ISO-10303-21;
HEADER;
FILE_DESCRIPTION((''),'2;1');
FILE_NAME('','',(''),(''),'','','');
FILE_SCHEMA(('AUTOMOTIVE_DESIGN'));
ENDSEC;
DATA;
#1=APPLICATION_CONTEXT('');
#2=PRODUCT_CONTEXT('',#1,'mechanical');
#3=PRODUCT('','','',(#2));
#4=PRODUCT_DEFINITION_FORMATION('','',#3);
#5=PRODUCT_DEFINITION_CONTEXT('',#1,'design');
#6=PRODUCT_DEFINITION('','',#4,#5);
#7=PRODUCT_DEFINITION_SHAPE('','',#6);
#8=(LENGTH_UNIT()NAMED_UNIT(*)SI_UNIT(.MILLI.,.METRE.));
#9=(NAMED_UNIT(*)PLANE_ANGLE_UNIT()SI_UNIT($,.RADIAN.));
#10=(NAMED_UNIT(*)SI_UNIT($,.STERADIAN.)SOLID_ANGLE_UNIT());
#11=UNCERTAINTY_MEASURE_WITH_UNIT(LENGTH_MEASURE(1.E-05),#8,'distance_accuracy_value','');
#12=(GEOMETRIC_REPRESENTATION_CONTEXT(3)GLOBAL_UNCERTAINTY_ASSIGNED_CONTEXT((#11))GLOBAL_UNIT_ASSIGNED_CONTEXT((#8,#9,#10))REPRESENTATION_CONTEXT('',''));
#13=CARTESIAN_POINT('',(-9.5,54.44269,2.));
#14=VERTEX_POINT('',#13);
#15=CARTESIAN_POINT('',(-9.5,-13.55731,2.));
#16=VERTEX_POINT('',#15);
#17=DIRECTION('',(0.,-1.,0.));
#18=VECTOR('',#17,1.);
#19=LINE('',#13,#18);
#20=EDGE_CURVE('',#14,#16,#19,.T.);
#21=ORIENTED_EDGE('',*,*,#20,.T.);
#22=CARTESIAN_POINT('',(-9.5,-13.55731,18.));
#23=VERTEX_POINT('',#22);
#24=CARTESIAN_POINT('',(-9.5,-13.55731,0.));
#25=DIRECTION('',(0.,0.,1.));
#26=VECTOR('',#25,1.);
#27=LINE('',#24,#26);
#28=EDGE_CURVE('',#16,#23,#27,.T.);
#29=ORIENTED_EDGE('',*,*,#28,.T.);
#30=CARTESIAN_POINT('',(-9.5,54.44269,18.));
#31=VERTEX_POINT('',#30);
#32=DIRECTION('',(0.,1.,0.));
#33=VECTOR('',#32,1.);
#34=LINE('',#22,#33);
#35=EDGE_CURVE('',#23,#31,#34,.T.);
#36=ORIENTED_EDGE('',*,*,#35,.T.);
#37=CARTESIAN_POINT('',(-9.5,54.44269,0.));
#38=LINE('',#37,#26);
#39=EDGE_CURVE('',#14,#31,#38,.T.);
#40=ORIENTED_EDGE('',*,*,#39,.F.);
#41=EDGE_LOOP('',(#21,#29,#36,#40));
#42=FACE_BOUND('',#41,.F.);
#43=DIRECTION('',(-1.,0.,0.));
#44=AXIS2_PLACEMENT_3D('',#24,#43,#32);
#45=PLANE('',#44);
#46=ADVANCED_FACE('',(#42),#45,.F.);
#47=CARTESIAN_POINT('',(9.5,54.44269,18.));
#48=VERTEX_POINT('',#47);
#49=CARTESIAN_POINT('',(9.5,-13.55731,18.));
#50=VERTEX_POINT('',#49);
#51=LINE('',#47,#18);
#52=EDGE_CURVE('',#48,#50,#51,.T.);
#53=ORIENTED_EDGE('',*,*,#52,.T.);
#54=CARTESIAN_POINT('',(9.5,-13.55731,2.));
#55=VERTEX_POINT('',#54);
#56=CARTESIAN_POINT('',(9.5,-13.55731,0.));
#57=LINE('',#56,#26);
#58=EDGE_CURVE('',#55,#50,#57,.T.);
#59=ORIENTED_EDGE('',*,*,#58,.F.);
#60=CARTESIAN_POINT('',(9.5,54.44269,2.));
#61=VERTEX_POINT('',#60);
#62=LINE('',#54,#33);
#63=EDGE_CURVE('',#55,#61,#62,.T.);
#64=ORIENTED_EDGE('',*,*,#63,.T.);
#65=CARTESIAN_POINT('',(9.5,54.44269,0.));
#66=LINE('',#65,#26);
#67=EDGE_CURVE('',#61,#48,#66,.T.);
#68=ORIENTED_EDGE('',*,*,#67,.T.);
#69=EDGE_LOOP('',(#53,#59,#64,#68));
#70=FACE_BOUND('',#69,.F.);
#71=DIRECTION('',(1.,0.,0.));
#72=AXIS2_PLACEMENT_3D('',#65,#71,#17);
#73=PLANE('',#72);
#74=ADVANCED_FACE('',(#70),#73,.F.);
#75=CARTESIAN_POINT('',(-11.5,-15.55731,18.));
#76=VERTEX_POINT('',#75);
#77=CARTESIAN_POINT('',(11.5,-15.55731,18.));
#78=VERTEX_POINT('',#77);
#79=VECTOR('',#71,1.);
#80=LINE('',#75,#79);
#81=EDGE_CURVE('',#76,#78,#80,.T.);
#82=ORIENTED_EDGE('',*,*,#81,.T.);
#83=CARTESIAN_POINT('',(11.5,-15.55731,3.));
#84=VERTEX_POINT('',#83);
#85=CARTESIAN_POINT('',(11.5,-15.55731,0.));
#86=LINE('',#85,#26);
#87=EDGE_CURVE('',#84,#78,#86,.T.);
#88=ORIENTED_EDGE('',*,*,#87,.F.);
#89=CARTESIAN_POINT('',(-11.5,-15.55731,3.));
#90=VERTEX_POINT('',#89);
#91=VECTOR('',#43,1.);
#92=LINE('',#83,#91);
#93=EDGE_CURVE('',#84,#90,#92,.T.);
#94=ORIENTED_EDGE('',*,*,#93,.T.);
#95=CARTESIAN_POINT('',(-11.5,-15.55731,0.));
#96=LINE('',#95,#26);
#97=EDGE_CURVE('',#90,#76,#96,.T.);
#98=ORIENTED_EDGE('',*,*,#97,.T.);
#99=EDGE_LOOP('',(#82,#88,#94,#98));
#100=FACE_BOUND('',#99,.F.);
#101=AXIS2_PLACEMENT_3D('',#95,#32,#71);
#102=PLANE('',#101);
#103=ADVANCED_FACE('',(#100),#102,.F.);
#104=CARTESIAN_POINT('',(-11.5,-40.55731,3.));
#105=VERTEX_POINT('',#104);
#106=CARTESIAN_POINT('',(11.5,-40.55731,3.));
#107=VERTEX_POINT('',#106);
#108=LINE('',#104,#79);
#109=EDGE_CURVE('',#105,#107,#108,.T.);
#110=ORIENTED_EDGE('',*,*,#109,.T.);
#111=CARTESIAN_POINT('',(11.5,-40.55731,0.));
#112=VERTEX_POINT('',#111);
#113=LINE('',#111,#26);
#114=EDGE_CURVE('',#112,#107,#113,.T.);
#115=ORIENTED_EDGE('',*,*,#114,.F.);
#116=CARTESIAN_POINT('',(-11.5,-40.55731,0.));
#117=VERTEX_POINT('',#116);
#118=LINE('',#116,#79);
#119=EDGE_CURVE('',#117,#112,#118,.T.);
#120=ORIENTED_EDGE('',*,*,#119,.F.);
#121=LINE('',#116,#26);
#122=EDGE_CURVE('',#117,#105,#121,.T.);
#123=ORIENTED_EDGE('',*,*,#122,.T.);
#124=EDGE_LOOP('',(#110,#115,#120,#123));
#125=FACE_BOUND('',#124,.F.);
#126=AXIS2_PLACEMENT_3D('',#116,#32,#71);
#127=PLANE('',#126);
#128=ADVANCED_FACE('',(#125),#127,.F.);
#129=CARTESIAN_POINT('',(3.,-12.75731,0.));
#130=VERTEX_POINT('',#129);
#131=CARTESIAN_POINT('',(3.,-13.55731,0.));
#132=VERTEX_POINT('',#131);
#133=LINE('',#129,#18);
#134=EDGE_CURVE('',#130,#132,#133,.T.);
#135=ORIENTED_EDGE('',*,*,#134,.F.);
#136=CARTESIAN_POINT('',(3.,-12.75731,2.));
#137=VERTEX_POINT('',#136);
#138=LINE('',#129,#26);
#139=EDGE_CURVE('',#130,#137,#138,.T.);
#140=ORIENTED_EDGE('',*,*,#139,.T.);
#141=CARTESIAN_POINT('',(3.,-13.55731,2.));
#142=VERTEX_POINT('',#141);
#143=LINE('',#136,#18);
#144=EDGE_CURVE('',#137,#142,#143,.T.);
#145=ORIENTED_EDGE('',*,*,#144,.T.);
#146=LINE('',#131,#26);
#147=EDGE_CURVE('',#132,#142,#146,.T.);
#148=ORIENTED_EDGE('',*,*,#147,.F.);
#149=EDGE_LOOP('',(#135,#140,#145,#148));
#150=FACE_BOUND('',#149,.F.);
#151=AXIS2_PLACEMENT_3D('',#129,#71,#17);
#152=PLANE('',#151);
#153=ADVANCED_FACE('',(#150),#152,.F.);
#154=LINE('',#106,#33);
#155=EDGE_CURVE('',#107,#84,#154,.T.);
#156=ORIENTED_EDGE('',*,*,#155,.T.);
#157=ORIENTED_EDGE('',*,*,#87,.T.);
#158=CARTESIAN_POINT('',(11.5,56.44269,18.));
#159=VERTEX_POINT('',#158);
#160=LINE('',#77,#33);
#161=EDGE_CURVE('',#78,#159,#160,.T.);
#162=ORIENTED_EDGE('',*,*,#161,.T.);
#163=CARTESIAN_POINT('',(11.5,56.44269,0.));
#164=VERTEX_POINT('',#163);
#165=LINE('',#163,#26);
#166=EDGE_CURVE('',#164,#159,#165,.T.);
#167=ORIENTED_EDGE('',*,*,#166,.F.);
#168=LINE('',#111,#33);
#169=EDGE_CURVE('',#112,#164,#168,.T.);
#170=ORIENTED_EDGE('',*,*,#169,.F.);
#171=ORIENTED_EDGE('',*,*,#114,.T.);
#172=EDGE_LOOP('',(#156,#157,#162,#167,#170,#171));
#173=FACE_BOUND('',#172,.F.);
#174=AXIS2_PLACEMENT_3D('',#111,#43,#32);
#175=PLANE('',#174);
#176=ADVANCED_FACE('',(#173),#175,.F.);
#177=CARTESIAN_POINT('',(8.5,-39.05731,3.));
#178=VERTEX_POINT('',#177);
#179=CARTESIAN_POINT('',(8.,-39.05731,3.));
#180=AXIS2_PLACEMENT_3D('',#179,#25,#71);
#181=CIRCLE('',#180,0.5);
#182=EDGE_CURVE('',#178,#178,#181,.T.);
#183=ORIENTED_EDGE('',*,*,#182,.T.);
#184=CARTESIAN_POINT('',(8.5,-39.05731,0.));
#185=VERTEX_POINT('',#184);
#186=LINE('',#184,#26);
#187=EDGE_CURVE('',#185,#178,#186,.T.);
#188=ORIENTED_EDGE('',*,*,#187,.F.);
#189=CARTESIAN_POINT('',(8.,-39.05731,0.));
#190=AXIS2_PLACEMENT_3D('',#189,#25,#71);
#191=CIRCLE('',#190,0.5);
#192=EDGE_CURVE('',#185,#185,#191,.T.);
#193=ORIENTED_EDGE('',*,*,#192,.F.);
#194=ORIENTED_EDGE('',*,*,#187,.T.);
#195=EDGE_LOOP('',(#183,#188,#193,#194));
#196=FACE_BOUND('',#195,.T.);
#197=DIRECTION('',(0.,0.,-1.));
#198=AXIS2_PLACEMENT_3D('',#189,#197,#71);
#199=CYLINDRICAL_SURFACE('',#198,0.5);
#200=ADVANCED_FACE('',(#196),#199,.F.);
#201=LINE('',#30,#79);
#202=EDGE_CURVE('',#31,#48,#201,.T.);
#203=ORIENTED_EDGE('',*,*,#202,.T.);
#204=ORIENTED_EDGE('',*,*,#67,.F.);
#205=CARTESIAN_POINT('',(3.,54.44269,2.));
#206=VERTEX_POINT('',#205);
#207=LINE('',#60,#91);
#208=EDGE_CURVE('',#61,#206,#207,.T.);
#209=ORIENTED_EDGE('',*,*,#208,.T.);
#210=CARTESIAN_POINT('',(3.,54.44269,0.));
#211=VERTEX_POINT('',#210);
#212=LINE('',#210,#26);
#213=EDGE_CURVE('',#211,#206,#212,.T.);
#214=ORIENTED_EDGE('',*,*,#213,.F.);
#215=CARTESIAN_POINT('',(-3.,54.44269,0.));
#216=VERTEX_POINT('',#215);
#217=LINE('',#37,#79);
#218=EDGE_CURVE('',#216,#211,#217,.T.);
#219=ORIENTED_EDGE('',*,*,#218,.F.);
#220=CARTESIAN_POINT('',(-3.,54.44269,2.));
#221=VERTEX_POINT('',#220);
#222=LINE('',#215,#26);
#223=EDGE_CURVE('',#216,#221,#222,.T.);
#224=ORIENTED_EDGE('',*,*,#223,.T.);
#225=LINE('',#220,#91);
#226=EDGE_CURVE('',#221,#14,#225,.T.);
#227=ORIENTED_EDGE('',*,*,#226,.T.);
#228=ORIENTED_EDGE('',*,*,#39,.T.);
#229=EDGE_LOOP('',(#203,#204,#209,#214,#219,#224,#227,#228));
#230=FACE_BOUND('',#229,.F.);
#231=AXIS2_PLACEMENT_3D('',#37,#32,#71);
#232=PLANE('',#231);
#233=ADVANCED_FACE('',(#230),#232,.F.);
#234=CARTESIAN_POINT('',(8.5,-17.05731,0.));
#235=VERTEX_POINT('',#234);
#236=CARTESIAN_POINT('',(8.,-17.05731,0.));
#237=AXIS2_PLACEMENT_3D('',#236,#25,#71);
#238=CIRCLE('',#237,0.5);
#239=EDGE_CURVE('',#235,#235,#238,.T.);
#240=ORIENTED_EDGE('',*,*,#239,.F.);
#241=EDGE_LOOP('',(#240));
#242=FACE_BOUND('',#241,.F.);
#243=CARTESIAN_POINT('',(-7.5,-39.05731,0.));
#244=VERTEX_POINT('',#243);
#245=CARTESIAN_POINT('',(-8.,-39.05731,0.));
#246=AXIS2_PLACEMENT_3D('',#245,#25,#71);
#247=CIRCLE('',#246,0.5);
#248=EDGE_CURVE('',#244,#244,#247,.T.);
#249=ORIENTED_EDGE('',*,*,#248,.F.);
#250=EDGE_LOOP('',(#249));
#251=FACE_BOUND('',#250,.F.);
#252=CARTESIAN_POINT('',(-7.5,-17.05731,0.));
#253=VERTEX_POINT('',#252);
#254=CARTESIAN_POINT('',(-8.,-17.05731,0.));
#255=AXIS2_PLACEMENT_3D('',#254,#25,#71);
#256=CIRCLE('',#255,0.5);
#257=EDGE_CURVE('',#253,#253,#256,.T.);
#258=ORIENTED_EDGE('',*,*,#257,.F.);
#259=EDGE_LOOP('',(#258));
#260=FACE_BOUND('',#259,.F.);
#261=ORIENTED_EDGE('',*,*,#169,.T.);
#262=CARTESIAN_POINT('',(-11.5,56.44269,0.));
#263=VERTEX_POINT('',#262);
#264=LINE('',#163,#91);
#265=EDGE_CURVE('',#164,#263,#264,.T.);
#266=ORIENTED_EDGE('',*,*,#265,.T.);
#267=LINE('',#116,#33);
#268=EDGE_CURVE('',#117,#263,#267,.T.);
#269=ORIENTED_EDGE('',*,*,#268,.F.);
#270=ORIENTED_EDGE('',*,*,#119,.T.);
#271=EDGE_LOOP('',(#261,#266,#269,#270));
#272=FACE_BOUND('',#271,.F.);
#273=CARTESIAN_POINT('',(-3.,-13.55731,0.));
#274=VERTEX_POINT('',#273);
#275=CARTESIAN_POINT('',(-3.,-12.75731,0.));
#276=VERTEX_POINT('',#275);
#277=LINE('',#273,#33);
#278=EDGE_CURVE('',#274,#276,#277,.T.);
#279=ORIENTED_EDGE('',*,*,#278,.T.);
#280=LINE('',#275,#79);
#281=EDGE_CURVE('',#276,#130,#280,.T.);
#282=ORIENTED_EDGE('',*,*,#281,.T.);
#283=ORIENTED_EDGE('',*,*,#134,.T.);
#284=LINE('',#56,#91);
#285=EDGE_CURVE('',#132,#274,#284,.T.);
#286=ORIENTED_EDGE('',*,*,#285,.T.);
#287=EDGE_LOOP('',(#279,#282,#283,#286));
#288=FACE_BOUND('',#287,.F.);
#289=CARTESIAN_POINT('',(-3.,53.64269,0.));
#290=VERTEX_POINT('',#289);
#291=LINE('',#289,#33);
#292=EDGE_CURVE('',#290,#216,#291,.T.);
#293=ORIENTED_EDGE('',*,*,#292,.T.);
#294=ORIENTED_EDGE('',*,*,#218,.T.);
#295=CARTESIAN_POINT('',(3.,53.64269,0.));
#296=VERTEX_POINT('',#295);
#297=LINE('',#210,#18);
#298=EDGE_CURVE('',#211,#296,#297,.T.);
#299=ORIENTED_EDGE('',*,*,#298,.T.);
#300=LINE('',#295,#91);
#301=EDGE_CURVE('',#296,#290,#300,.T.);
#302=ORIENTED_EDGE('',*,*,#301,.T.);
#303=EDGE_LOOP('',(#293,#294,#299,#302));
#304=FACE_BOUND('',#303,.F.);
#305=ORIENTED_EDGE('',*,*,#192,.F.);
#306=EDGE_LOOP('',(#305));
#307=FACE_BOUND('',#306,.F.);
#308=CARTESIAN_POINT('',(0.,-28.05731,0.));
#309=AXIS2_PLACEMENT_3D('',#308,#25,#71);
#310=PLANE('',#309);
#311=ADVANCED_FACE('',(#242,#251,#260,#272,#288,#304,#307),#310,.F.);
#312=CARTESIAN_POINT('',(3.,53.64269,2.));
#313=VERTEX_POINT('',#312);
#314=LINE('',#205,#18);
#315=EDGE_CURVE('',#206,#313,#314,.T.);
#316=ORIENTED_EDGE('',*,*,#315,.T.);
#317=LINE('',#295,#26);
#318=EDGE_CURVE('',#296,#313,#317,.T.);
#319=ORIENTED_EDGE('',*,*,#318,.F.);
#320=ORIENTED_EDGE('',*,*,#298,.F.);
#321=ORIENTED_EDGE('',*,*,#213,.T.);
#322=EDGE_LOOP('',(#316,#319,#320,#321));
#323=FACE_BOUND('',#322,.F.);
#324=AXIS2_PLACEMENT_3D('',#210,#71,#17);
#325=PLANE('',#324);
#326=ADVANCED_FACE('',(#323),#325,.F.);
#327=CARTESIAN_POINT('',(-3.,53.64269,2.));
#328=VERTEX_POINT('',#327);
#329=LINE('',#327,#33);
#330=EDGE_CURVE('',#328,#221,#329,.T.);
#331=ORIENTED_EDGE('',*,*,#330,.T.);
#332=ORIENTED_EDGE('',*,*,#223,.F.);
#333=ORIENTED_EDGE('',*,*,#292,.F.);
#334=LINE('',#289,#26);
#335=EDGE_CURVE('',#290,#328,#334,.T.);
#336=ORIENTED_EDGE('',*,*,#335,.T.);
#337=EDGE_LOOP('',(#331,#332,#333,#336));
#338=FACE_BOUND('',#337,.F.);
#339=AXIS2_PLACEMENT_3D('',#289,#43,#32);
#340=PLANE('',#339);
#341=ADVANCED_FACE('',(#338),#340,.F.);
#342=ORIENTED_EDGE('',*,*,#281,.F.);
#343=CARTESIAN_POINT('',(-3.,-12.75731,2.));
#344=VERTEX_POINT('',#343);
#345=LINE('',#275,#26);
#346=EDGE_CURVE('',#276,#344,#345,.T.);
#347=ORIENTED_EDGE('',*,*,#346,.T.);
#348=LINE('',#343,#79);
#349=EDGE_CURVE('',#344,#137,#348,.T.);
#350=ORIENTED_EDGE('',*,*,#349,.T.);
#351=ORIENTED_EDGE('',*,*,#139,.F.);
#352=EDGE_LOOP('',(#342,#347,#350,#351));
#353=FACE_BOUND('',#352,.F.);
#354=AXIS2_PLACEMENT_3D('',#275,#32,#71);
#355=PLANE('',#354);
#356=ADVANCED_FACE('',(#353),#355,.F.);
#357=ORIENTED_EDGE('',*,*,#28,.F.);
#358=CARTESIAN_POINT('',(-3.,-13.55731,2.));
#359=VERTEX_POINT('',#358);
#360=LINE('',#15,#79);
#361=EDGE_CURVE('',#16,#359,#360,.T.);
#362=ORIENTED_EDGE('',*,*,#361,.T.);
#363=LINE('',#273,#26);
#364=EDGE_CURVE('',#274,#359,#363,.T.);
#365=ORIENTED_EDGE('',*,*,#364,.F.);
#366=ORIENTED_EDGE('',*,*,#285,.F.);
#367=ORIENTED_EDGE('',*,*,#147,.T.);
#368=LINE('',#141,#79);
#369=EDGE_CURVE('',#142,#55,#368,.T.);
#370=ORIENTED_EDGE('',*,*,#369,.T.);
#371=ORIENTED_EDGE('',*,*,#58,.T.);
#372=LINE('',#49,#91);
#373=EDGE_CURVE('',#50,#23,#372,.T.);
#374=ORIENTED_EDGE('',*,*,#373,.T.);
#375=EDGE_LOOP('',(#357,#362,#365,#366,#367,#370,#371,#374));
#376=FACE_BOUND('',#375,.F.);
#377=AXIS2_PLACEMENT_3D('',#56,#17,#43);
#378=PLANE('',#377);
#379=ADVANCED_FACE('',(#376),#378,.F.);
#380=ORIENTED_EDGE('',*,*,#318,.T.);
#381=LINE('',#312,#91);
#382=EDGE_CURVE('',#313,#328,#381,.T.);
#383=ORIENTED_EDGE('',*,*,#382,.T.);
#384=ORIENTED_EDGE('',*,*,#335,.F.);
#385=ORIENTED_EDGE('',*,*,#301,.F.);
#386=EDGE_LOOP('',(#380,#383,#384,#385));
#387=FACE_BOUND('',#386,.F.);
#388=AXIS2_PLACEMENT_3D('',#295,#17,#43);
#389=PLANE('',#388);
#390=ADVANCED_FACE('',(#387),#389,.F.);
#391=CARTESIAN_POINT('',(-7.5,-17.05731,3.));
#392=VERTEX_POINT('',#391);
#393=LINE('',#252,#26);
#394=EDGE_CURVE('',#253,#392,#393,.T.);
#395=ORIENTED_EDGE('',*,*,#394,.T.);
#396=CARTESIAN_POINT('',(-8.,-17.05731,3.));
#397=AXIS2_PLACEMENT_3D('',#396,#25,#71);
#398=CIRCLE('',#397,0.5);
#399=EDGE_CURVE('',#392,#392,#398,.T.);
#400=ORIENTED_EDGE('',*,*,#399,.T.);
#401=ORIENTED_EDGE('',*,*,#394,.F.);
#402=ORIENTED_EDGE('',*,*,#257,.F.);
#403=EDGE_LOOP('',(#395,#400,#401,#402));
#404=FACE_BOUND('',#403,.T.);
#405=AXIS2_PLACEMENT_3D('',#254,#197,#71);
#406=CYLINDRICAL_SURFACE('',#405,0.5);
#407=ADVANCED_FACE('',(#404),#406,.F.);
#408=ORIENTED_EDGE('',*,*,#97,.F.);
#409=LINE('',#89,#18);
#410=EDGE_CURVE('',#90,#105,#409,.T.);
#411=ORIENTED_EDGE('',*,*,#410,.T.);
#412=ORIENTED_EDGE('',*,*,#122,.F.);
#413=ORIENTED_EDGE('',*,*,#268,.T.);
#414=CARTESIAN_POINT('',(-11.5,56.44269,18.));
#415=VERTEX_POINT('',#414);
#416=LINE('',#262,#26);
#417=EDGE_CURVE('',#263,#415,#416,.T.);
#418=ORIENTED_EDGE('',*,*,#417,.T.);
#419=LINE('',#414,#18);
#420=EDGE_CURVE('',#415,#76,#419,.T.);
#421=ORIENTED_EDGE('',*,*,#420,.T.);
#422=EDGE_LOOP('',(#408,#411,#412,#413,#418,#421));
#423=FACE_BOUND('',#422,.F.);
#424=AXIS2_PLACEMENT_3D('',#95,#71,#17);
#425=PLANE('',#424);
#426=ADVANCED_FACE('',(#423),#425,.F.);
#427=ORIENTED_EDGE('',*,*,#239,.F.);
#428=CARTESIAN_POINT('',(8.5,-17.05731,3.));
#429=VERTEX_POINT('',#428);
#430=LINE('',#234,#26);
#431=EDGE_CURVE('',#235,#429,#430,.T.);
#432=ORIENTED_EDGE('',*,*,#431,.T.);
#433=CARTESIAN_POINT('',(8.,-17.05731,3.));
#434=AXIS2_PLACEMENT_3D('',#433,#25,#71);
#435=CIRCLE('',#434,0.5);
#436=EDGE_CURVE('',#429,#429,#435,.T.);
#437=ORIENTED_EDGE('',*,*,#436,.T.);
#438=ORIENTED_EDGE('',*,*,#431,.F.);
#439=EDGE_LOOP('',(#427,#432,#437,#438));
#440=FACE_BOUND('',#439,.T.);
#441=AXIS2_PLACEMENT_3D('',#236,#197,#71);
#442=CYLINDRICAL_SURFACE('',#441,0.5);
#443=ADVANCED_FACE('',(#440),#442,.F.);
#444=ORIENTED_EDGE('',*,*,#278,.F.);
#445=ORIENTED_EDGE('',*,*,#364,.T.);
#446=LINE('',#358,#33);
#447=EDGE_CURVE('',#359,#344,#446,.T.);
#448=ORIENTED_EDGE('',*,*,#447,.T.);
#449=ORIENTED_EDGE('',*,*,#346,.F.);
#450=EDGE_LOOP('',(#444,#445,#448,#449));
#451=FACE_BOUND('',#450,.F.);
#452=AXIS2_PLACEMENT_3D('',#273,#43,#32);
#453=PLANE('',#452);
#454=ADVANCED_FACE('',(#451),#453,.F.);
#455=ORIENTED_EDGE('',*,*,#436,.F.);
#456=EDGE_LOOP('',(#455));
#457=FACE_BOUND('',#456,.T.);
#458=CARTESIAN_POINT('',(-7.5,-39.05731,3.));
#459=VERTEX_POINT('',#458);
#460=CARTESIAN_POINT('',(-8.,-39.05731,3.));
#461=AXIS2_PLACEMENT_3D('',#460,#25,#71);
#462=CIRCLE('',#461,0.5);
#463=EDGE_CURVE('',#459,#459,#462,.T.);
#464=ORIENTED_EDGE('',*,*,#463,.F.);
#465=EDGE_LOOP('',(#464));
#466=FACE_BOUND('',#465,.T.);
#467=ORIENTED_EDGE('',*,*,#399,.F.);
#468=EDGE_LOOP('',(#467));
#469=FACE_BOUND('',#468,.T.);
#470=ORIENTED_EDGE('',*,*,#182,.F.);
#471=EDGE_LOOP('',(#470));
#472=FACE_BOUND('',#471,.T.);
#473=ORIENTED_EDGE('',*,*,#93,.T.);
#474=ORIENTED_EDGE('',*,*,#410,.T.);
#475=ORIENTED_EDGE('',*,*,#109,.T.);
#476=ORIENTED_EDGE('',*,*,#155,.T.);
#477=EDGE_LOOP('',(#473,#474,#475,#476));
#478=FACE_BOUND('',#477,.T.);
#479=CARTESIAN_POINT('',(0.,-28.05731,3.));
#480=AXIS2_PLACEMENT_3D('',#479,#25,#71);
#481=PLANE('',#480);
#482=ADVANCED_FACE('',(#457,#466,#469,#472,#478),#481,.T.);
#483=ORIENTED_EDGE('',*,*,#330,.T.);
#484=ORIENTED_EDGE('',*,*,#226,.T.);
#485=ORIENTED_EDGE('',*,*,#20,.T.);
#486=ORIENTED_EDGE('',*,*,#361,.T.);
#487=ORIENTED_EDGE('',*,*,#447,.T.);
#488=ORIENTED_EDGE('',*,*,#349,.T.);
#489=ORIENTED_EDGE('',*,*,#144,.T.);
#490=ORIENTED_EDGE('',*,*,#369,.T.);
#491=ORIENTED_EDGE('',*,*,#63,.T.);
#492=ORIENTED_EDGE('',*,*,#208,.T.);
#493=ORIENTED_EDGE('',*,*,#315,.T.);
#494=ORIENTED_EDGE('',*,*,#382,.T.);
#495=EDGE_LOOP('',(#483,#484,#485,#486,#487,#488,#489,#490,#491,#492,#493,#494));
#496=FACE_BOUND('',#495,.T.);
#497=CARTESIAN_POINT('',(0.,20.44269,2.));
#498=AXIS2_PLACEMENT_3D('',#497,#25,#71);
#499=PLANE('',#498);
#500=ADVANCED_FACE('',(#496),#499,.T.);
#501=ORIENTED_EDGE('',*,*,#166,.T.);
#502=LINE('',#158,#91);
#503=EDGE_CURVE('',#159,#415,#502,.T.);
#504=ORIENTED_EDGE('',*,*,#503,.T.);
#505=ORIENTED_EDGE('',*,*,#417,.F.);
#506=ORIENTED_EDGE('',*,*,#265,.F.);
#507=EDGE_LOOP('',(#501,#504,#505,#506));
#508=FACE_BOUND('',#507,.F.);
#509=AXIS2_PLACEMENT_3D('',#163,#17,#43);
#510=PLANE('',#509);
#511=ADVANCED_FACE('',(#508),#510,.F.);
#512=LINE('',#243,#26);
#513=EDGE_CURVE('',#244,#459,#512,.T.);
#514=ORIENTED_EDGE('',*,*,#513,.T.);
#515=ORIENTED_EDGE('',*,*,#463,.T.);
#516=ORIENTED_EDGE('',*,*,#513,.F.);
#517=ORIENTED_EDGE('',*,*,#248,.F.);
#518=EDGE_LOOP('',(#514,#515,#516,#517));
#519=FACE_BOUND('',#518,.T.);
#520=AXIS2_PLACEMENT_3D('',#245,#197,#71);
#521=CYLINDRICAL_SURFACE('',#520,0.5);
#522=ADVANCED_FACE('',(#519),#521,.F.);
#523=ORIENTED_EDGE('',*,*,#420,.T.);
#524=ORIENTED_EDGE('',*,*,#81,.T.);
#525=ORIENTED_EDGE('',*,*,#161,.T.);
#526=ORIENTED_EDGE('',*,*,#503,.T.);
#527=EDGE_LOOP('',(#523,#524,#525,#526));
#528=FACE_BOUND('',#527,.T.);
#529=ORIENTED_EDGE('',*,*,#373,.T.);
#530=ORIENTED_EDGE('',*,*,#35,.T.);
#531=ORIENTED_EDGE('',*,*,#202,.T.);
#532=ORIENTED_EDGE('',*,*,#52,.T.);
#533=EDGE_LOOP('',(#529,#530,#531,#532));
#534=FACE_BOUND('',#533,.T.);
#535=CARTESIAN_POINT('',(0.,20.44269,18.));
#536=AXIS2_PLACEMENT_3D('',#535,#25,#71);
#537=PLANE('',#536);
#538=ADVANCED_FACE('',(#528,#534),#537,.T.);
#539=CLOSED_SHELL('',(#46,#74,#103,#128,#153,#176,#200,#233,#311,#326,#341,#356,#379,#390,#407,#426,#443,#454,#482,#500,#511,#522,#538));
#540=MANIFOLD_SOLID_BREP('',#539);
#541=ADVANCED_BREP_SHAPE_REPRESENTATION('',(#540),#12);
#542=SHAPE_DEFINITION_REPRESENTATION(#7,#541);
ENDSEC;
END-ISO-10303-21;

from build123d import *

# Parameters (mm, degrees)
F1_DEPTH = 2
F2_DEPTH = 18
F0_R     = 0.5
F3_DEPTH = 3


with BuildPart() as f1:
    # F0 (on Top) → F1 (new body)
    with BuildSketch(Plane.XY):
        Polygon((-3, 54.44269), (-9.5, 54.44269), (-9.5, -13.55731), (-3, -13.55731), (-3, -12.75731), (0, -12.75731), (3, -12.75731), (3, -13.55731), (9.5, -13.55731), (9.5, 54.44269), (3, 54.44269), (3, 53.64269), (0, 53.64269), (-3, 53.64269), align=None)
    extrude(amount=F1_DEPTH)

    # F0 (on Top) → F2 (join)
    with BuildSketch(Plane.XY):
        Polygon((-11.5, -15.55731), (0, -15.55731), (11.5, -15.55731), (11.5, 56.44269), (0, 56.44269), (-11.5, 56.44269), align=None)
        Polygon((-9.5, -13.55731), (-9.5, 54.44269), (-3, 54.44269), (0, 54.44269), (3, 54.44269), (9.5, 54.44269), (9.5, -13.55731), (3, -13.55731), (0, -13.55731), (-3, -13.55731), align=None, mode=Mode.SUBTRACT)
    extrude(amount=F2_DEPTH)

    # F0 (on Top) → F3 (join)
    with BuildSketch(Plane.XY):
        Polygon((11.5, -15.55731), (0, -15.55731), (-11.5, -15.55731), (-11.5, -40.55731), (0, -40.55731), (11.5, -40.55731), align=None)
        with Locations((-8, -39.05731)):
            Circle(F0_R, mode=Mode.SUBTRACT)
        with Locations((-8, -17.05731)):
            Circle(F0_R, mode=Mode.SUBTRACT)
        with Locations((8, -39.05731)):
            Circle(F0_R, mode=Mode.SUBTRACT)
        with Locations((8, -17.05731)):
            Circle(F0_R, mode=Mode.SUBTRACT)
    extrude(amount=F3_DEPTH)


solid = f1.part
